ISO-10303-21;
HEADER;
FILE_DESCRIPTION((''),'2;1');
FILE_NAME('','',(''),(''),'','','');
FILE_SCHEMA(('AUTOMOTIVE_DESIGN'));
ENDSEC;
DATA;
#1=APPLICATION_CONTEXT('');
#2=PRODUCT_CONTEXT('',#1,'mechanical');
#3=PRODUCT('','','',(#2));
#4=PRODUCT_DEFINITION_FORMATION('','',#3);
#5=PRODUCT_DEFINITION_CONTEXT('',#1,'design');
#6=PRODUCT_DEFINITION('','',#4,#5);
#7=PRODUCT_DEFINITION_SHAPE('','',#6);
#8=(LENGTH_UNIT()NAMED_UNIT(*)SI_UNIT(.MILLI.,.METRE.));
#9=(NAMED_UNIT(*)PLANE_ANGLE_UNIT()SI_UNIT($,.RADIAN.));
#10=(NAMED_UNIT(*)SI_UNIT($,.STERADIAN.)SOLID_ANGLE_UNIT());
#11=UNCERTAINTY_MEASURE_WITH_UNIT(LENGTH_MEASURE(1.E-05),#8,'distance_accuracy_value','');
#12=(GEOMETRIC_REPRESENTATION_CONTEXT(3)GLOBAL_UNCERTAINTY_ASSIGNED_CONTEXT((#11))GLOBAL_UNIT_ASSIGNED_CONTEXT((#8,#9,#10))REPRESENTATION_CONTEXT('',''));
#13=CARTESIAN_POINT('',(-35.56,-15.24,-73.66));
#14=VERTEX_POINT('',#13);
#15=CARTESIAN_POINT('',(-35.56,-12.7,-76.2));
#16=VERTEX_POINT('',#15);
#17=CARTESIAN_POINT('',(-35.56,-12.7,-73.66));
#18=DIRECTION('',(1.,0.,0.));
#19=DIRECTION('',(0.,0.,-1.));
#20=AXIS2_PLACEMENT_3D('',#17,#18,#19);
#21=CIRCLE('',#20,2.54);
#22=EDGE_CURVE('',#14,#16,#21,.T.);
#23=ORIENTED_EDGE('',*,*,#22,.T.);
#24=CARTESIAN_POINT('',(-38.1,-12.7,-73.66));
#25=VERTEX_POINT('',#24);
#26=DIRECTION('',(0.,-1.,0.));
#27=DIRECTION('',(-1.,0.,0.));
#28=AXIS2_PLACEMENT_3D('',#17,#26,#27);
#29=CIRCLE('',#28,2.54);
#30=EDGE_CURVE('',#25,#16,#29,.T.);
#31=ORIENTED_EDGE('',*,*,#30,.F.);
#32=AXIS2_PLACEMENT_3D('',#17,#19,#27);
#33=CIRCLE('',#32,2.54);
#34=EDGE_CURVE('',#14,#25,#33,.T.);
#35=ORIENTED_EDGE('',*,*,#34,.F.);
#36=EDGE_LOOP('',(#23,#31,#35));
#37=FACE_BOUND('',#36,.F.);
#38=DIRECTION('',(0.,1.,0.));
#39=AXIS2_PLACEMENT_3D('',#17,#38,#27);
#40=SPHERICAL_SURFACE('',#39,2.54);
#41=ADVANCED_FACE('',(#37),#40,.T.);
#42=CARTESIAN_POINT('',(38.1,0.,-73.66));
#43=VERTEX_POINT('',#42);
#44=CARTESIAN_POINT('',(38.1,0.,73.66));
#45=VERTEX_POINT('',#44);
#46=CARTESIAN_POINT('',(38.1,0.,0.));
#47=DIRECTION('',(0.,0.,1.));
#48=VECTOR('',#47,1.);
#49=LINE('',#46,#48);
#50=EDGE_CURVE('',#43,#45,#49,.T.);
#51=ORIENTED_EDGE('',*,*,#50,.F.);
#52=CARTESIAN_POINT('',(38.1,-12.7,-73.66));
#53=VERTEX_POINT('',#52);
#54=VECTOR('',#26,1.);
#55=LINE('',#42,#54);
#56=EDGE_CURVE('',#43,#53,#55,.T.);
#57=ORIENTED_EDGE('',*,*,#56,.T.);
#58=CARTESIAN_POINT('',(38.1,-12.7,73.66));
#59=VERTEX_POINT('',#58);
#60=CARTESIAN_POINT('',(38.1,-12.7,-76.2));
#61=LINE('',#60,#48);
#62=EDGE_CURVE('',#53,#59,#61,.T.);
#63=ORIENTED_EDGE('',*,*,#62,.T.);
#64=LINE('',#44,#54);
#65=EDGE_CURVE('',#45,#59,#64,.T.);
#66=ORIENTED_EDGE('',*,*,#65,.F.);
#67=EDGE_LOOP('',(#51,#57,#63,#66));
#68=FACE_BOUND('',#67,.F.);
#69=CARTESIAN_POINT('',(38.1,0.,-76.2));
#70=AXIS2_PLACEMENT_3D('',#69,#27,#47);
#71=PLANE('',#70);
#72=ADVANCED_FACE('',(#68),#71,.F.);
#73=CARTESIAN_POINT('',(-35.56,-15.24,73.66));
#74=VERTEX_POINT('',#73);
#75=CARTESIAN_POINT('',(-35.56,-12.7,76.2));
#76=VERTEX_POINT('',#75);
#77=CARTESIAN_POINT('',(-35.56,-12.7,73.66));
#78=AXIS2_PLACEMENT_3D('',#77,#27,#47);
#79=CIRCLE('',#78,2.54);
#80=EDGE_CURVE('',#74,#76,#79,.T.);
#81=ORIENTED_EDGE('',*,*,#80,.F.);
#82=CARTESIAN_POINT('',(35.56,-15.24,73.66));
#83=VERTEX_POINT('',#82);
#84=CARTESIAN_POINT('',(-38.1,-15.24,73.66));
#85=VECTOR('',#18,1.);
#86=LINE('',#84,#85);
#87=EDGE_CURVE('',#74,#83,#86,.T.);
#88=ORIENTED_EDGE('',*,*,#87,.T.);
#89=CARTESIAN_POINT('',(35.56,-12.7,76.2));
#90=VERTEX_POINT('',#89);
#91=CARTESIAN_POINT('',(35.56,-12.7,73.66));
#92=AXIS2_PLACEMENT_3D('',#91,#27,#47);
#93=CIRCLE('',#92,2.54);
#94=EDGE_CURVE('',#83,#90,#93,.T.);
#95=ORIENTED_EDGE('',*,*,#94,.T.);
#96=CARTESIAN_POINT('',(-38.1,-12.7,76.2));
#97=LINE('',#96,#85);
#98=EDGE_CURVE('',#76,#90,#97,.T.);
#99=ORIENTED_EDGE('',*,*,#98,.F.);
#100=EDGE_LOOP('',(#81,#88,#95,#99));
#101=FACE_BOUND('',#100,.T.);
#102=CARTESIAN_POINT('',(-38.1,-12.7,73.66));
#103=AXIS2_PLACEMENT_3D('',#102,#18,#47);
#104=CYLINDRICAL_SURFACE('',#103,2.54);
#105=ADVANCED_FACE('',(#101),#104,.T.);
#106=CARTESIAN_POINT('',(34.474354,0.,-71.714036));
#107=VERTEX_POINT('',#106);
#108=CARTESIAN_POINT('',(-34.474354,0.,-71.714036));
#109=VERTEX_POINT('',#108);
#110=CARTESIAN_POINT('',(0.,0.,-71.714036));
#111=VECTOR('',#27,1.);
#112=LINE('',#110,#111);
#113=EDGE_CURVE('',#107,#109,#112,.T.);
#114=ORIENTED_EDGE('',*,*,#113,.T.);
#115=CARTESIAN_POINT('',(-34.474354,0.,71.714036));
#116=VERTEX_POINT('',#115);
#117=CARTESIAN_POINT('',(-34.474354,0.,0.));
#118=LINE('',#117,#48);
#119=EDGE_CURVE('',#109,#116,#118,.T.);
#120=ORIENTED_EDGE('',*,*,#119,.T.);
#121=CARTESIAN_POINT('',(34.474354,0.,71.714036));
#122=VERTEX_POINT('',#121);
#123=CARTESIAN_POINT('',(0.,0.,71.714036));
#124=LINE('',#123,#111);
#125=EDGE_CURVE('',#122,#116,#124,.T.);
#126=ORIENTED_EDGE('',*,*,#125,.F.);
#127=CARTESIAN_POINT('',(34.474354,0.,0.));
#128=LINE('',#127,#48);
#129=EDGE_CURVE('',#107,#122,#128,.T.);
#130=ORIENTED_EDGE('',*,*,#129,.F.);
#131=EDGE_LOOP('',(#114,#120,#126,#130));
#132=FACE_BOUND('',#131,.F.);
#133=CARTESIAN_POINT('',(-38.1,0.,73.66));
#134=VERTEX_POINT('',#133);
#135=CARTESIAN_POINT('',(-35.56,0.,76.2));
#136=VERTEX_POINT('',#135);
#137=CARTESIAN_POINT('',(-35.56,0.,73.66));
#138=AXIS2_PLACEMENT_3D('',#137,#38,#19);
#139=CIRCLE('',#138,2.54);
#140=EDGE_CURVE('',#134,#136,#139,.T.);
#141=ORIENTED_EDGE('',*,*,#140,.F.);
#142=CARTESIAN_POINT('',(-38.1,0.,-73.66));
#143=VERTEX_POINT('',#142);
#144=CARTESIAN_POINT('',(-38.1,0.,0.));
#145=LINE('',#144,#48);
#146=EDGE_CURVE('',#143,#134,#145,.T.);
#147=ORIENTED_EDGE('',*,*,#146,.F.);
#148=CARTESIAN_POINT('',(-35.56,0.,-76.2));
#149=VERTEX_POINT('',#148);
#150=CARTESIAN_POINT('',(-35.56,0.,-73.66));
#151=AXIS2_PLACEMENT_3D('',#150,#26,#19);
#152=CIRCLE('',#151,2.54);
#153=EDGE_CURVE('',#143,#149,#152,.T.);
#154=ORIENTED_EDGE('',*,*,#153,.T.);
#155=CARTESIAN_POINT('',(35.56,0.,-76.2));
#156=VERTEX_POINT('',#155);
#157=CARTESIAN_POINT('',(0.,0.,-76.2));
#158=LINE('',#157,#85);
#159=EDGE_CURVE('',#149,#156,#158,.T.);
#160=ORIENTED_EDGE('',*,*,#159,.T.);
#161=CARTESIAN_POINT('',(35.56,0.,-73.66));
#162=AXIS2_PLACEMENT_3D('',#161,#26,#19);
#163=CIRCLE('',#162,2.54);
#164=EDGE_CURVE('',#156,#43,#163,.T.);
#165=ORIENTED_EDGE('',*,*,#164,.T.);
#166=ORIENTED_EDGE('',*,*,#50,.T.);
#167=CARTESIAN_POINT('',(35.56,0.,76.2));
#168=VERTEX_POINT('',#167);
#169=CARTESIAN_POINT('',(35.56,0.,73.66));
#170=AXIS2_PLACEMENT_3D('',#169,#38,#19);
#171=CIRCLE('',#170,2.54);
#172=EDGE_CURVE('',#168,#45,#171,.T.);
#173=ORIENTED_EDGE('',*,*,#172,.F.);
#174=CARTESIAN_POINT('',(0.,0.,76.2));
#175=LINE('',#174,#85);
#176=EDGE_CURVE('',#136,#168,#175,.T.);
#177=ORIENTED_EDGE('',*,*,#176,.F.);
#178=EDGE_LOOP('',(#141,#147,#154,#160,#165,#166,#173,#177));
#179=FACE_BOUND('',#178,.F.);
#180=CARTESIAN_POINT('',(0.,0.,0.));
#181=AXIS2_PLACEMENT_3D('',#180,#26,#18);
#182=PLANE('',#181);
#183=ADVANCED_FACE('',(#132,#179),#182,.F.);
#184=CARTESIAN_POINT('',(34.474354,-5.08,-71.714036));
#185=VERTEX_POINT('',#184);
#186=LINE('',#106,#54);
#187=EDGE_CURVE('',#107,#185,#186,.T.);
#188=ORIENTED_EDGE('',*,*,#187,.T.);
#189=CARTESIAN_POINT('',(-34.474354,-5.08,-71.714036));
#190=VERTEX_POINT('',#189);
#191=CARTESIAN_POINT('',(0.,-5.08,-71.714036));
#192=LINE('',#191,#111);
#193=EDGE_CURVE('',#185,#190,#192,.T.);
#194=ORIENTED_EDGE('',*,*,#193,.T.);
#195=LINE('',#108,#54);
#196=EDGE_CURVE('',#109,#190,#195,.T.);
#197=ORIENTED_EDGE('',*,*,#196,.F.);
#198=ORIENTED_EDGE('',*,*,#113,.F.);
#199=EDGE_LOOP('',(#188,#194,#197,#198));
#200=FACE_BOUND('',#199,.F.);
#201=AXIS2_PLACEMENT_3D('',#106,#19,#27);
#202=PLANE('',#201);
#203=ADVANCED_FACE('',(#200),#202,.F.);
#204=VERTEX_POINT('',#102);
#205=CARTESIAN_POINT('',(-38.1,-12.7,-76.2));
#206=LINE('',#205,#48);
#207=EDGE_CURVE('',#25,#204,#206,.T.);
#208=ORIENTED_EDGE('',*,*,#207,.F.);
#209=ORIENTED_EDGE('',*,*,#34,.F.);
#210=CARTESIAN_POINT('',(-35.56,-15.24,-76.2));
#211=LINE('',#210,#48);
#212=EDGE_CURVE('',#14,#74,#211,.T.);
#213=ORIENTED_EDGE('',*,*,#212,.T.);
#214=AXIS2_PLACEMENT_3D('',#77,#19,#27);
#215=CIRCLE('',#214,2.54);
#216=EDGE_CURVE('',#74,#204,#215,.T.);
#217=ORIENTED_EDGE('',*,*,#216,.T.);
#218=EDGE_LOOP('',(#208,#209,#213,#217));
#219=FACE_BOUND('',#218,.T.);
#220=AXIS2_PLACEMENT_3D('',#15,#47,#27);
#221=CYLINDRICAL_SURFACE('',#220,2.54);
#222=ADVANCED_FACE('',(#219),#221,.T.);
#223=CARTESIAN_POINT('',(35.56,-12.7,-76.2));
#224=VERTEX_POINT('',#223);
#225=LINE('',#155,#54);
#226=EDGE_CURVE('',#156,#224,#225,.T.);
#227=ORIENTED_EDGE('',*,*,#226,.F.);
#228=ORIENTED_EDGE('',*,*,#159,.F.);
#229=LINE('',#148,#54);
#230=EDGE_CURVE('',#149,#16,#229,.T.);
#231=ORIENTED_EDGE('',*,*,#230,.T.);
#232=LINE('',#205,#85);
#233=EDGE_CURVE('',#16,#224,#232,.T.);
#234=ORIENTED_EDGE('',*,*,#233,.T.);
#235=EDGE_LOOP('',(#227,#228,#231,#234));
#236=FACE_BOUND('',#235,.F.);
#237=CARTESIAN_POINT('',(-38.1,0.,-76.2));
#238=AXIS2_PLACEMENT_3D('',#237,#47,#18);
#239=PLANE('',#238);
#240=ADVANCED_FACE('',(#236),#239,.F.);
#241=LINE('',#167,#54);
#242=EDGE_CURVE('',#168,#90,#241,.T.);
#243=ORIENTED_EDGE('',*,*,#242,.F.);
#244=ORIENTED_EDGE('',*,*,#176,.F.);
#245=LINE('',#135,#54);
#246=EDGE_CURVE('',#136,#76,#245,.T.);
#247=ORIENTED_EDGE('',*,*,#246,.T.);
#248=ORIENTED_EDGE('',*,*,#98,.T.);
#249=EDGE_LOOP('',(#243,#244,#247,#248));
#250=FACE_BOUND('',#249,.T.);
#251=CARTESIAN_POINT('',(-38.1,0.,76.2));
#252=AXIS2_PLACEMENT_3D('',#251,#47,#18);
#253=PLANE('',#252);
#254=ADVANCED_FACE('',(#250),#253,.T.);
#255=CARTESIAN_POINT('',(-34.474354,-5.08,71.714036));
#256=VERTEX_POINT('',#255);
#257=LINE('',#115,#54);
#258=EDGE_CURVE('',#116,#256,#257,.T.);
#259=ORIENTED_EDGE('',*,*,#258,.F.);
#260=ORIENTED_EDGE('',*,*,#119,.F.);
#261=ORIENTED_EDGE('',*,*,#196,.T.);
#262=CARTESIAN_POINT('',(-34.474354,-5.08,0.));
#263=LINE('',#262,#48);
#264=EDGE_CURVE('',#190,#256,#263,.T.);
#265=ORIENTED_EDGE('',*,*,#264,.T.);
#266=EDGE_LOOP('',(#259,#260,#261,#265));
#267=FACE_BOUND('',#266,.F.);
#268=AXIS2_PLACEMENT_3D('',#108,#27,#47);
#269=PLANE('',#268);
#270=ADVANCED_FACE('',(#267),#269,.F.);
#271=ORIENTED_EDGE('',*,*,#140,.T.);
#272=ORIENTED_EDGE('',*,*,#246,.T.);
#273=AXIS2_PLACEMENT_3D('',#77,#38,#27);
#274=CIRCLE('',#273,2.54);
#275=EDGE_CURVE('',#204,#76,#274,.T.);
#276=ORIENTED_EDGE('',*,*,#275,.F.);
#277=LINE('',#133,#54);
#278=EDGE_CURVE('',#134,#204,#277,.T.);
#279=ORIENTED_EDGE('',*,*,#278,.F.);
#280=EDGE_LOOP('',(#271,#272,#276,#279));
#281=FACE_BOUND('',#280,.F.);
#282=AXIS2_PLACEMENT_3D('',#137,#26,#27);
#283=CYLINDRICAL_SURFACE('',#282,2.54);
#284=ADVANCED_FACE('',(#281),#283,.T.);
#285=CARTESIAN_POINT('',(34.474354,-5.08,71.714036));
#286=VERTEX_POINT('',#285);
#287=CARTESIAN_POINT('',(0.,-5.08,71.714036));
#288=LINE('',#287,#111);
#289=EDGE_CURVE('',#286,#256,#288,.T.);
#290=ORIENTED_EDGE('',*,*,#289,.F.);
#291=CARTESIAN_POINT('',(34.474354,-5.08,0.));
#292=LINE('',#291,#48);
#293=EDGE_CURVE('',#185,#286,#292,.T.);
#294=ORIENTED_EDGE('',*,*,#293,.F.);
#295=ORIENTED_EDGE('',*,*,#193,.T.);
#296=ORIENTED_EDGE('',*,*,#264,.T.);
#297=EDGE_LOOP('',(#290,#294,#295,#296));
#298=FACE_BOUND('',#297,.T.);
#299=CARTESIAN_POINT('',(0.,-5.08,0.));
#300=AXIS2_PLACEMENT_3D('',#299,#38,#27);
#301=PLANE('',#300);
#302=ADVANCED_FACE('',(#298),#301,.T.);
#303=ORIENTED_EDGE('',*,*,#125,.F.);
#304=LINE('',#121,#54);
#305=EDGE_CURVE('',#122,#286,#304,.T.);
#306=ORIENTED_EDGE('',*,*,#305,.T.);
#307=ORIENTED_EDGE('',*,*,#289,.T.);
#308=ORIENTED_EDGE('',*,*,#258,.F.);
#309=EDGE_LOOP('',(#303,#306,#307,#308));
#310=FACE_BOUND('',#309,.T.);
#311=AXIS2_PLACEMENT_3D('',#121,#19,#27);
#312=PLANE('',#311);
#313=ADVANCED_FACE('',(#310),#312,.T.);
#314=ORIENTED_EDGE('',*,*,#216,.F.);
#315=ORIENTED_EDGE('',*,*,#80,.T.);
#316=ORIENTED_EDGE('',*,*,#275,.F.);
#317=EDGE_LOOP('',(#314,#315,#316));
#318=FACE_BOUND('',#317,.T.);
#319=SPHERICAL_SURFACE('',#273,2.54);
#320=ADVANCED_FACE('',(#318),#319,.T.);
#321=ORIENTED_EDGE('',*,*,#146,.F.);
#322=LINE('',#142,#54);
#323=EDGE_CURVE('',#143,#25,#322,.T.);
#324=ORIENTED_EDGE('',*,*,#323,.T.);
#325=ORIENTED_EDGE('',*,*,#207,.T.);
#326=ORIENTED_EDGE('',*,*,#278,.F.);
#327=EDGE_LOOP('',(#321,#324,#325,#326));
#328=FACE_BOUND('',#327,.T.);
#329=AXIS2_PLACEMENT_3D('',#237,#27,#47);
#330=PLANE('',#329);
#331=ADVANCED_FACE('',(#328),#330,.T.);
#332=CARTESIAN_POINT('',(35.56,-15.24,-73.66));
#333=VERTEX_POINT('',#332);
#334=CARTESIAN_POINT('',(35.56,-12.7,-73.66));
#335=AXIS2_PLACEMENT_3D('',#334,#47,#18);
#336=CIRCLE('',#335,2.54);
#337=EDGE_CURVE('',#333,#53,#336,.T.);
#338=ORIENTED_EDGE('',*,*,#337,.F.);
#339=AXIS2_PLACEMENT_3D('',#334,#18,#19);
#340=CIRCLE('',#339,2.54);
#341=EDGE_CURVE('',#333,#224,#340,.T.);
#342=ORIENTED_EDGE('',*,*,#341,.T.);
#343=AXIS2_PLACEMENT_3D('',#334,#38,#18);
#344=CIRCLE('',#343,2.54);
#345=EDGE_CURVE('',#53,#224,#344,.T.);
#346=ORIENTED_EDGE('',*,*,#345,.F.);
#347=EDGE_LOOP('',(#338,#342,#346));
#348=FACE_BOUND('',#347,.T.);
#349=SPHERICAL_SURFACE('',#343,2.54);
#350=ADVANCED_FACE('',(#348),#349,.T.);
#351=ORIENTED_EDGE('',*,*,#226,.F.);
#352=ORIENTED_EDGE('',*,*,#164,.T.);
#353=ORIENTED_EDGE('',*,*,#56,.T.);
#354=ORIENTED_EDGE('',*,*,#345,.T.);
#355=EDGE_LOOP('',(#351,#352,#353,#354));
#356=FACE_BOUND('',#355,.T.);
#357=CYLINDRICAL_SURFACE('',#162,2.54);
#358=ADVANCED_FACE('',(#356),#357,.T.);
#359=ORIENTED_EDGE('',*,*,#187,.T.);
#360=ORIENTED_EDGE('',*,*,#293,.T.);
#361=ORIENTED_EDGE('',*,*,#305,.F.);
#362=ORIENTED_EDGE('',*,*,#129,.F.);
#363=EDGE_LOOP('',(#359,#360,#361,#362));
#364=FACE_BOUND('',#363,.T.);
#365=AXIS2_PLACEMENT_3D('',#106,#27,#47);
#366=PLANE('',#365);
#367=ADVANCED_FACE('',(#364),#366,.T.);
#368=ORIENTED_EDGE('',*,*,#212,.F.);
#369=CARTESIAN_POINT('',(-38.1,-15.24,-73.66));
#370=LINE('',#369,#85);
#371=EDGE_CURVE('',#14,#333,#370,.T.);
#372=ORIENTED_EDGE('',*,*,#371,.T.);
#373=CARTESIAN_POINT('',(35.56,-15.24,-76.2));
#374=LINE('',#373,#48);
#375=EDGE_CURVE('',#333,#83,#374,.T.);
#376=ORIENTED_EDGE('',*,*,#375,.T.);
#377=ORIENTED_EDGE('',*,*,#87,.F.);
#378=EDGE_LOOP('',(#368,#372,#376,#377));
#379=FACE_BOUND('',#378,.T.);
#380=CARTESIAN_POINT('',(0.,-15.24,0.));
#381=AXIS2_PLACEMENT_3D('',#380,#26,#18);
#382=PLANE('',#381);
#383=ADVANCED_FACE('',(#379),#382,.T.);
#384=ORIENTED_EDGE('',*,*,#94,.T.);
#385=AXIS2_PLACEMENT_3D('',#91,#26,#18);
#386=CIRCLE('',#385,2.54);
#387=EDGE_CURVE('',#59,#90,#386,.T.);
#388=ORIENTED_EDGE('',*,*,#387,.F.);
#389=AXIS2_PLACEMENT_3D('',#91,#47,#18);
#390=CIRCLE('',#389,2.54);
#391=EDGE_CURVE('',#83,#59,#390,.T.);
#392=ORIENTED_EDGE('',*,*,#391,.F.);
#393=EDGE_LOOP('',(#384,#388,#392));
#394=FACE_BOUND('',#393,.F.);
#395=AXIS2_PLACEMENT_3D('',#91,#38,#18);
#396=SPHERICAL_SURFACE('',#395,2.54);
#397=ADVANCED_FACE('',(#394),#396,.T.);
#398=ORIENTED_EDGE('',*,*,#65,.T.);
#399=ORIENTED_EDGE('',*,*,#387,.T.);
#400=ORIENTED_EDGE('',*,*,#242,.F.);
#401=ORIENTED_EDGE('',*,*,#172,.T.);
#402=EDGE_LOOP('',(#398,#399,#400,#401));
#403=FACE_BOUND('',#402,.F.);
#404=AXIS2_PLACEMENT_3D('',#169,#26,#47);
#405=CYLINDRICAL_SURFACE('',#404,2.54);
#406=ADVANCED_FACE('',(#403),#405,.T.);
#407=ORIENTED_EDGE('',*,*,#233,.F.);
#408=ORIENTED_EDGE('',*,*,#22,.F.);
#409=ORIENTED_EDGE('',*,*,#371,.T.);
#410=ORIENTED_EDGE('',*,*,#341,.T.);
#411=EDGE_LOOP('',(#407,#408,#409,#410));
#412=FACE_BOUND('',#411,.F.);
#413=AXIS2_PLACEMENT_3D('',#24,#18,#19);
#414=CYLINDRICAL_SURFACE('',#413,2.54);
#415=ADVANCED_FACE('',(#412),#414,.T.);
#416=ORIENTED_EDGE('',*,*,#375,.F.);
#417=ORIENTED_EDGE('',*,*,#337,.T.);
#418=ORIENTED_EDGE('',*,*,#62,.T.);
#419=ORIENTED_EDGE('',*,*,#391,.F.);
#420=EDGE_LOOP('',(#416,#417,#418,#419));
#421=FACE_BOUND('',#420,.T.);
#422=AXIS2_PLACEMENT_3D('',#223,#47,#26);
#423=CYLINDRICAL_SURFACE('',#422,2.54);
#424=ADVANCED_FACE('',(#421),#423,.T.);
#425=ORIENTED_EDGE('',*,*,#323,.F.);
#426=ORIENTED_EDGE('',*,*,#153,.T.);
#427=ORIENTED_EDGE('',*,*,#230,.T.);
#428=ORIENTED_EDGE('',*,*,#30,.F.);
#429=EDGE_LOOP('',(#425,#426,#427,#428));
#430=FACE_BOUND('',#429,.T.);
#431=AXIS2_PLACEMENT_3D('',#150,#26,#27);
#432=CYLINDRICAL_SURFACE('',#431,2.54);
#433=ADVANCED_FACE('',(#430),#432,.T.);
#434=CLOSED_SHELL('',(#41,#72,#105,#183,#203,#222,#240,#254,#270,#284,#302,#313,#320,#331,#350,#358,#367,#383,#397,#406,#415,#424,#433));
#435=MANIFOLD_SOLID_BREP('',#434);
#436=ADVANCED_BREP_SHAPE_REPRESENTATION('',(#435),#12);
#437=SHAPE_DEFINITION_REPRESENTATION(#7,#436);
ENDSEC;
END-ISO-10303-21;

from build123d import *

# Parameters (mm, degrees)
F0_W     = 76.2
F0_H     = 152.4
F1_DEPTH = 15.24
F2_W     = 68.948708
F2_H     = 143.428072
F3_DEPTH = 5.08
F4_R     = 2.54


with BuildPart() as f1:
    # F0 (on Front) → F1 (new body)
    with BuildSketch(Plane.XZ):
        Rectangle(F0_W, F0_H)
    extrude(amount=F1_DEPTH)

    # F2 (on face) → F3 (cut)
    with BuildSketch(Plane(origin=(0, 0, 0), x_dir=(-1, 0, 0), z_dir=(0, 1, 0))):
        Rectangle(F2_W, F2_H)
    extrude(amount=-F3_DEPTH, mode=Mode.SUBTRACT)

    # F4
    f4_edges = [f1.edges().sort_by_distance(p)[0] for p in [
        (-38.1, -7.62, -76.2),
        (38.1, -7.62, -76.2),
        (38.1, -7.62, 76.2),
        (-38.1, -7.62, 76.2),
        (-38.1, -15.24, 0),
        (38.1, -15.24, 0),
        (0, -15.24, 76.2),
        (0, -15.24, -76.2),
    ]]
    fillet(f4_edges, radius=F4_R)


solid = f1.part
